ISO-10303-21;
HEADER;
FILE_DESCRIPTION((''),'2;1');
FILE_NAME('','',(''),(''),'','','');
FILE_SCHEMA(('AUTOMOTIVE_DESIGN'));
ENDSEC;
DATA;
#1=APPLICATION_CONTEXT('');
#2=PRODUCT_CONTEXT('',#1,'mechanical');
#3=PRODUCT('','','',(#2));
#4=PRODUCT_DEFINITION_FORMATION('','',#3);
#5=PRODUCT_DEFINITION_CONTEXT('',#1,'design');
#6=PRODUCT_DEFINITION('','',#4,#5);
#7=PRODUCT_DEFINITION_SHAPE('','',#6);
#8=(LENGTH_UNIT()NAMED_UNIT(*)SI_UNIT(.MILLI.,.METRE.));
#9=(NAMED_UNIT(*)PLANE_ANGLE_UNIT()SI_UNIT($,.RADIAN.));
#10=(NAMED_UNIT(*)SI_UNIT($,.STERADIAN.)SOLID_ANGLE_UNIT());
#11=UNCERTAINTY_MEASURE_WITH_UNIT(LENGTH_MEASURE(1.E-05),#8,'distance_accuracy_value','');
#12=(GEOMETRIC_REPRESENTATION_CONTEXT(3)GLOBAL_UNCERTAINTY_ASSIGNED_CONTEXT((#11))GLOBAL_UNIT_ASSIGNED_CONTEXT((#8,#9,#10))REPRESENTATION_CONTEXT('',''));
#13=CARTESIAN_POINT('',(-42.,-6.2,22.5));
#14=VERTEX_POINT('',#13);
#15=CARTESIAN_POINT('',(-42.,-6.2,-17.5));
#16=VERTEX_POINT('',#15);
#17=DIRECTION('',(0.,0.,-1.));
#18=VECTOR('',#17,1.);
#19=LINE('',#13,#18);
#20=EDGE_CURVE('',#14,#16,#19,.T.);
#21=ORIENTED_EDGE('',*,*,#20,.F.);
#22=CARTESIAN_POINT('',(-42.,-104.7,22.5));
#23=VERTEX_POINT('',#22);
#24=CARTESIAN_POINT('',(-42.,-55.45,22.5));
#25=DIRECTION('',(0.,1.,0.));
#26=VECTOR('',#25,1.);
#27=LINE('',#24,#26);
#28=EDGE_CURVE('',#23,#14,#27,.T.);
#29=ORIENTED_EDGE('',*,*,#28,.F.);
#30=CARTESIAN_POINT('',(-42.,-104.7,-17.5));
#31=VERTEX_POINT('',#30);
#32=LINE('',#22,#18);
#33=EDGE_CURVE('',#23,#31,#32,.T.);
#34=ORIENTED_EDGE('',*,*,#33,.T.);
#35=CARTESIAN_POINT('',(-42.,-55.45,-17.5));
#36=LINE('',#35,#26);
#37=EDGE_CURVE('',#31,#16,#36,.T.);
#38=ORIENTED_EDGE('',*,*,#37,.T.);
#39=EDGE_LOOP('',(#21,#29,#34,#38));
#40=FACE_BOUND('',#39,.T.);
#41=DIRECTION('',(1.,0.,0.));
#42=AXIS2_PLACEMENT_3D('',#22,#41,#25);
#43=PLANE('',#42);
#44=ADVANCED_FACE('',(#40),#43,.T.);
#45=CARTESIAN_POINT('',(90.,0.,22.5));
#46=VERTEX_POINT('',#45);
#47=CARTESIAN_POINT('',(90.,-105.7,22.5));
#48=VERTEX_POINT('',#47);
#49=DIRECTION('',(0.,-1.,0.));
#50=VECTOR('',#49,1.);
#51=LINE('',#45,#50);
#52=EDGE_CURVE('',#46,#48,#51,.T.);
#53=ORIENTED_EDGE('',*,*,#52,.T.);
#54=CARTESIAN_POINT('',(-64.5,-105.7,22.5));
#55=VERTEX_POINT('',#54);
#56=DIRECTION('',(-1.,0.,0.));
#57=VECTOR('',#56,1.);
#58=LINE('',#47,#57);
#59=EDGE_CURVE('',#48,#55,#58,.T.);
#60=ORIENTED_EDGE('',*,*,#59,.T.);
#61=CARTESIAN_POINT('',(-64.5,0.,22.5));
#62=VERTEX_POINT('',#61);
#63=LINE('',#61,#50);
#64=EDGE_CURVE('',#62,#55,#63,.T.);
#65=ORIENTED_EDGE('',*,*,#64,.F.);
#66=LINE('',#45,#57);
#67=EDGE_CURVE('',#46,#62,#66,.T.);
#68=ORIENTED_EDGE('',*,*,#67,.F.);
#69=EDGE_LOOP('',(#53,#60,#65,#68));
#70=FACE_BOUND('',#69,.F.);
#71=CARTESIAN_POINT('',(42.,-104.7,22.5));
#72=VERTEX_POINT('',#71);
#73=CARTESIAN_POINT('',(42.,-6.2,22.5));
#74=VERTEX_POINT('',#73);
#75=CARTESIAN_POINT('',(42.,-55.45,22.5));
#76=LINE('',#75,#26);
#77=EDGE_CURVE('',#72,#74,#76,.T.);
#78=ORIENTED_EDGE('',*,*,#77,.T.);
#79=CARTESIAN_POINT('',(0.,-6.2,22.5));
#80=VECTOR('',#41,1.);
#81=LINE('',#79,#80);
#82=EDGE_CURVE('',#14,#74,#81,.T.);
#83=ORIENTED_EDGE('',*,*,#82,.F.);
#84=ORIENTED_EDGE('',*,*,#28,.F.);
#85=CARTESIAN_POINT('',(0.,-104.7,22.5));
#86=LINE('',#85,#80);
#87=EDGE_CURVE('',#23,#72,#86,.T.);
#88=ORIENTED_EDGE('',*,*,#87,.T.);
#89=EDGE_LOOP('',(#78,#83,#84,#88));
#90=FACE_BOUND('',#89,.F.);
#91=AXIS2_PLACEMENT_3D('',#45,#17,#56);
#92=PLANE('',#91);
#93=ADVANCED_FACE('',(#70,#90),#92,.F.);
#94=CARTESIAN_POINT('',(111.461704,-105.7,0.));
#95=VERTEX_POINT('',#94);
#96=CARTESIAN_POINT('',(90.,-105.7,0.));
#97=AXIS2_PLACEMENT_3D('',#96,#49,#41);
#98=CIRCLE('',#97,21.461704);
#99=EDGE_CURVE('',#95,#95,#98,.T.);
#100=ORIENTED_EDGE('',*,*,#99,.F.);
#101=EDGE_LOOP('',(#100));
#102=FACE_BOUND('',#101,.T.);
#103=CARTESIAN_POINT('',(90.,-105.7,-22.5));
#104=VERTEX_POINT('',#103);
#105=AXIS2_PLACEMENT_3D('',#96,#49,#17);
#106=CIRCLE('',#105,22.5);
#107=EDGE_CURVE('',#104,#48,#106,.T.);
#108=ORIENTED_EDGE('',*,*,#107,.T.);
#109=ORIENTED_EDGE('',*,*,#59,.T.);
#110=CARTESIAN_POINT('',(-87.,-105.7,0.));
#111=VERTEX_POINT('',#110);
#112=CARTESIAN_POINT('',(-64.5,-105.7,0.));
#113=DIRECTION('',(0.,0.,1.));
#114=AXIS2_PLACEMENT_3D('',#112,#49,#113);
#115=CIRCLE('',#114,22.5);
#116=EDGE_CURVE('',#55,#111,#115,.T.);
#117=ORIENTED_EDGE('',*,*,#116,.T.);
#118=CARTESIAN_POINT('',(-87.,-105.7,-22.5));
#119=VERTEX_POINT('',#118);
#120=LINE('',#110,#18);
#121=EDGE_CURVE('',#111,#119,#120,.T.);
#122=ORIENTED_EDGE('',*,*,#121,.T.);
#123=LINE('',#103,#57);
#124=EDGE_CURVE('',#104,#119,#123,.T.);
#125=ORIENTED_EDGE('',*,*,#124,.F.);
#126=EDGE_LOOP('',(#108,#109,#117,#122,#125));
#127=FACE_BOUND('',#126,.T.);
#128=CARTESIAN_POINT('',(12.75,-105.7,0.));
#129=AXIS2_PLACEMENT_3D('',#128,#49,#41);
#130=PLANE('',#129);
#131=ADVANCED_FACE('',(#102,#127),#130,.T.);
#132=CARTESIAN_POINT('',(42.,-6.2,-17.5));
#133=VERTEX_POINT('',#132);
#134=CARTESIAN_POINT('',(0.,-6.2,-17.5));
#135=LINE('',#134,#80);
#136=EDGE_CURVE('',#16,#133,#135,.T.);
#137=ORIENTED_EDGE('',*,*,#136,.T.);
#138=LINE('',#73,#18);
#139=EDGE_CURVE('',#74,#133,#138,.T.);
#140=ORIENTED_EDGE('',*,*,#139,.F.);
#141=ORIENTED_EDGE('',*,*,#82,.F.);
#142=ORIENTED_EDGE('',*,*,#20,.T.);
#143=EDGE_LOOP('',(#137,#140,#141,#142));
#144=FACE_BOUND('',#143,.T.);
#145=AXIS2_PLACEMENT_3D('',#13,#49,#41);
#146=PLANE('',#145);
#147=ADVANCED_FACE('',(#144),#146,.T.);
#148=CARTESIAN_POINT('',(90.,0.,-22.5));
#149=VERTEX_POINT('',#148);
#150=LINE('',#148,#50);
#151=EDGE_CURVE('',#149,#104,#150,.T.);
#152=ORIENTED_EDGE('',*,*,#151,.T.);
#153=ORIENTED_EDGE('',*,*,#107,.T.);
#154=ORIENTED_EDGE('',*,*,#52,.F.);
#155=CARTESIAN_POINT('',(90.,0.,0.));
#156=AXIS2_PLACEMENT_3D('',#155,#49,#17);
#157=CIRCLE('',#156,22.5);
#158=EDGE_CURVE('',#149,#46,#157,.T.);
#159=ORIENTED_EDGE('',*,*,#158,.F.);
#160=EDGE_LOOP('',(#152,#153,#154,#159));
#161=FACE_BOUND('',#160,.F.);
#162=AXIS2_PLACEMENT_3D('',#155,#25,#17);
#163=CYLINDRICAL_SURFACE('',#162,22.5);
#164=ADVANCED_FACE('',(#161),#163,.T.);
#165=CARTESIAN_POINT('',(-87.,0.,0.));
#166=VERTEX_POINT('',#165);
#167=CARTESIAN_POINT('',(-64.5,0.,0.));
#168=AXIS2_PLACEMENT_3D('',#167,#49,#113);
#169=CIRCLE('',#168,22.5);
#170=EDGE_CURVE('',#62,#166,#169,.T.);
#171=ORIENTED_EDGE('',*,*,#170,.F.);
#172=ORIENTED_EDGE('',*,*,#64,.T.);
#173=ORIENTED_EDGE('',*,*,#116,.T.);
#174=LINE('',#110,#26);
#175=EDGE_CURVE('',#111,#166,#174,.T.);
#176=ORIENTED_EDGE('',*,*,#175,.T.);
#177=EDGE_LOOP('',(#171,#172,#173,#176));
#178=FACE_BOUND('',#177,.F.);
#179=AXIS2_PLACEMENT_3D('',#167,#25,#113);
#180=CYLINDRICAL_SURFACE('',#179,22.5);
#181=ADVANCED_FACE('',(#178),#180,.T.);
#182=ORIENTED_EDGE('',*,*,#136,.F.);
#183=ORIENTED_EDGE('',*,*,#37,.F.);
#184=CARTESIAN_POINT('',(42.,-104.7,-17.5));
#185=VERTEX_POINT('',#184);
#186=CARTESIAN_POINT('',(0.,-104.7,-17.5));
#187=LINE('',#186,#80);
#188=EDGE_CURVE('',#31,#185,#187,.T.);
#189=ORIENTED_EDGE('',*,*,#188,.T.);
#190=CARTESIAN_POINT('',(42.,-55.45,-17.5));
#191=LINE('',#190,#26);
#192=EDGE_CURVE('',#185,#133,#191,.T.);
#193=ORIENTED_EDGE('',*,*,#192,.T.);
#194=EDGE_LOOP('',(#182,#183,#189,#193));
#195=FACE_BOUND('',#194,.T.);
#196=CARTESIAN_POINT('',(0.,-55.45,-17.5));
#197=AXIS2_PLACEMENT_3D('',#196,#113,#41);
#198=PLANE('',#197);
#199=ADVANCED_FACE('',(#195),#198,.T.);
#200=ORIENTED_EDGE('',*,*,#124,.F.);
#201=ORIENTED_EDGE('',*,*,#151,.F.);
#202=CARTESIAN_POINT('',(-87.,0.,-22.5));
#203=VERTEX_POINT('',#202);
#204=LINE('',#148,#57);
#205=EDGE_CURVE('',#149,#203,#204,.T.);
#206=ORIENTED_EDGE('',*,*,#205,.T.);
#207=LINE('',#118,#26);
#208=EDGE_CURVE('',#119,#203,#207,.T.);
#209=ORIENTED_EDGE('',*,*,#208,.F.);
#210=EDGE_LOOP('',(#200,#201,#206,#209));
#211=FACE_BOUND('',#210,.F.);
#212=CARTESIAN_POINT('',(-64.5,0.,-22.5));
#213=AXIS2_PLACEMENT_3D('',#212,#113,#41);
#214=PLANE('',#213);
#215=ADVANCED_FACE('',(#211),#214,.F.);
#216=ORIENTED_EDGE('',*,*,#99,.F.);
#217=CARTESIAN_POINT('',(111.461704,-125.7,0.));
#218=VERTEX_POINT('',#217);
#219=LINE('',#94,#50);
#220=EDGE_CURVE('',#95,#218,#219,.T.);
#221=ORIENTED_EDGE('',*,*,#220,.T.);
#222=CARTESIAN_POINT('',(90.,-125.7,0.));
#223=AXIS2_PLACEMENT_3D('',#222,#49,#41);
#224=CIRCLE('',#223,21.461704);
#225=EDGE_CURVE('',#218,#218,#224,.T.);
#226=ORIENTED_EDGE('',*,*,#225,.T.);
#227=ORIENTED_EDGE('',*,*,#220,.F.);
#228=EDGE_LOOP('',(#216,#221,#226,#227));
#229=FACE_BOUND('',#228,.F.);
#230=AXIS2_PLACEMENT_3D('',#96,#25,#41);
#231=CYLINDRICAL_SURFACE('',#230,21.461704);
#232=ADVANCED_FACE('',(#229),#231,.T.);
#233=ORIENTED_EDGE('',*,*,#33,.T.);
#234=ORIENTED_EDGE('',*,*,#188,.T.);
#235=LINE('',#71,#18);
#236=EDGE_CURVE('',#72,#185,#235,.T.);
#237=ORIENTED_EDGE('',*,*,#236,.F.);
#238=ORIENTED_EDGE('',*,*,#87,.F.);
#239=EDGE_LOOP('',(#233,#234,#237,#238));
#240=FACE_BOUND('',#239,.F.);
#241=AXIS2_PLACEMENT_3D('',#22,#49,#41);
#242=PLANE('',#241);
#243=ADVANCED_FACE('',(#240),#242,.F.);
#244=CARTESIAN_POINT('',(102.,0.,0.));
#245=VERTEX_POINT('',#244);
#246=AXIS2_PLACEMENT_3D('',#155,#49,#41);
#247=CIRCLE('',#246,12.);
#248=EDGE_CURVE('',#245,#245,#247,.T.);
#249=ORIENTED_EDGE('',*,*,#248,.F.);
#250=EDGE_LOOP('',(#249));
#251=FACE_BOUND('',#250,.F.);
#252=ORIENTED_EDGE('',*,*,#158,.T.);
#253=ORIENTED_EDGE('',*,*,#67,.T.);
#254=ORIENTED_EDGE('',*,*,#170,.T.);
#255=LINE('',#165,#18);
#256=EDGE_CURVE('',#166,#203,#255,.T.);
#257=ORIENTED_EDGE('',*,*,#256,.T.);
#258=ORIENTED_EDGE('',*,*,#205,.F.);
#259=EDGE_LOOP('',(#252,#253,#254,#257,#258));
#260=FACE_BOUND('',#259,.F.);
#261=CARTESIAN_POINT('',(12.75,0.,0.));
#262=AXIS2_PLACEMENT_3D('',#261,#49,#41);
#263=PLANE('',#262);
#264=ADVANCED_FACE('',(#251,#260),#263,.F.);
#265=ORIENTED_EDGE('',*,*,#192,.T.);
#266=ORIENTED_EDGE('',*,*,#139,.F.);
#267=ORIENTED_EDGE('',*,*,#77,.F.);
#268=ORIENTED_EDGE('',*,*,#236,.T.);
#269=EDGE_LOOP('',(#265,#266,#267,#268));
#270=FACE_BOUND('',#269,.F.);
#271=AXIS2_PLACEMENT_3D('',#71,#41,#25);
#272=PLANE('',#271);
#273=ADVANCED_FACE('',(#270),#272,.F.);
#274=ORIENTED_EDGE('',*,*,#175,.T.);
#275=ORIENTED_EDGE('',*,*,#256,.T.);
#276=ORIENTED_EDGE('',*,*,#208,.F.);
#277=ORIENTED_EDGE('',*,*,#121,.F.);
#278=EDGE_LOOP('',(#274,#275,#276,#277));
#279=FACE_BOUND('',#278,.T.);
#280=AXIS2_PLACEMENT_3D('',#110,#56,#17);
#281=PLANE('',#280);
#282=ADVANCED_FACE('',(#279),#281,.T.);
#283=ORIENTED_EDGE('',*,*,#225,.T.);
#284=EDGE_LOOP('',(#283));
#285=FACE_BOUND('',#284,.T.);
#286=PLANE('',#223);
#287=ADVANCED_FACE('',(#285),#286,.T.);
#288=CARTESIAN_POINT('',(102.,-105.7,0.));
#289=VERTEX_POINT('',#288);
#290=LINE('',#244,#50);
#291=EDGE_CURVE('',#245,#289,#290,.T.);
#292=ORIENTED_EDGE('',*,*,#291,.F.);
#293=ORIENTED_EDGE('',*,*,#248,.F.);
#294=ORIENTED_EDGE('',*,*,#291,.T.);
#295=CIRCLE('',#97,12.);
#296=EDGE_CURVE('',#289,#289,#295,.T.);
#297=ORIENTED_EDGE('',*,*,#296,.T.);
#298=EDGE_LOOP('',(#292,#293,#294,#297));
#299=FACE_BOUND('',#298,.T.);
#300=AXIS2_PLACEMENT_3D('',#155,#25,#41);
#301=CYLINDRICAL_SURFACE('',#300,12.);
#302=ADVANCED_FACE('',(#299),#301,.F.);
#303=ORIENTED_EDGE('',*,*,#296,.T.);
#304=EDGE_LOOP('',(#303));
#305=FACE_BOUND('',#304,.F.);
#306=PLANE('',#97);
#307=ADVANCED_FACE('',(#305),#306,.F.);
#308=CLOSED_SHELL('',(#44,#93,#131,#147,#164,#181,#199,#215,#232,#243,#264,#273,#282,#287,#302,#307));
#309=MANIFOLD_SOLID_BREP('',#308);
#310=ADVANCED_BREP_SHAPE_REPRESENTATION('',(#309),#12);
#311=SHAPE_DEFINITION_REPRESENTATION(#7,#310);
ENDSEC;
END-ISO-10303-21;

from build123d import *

# Parameters (mm, degrees)
F0_R     = 12
F1_DEPTH = 105.7
F3_DEPTH = 105.7
F4_W     = 84
F4_H     = 98.5
F5_DEPTH = 40
F6_R     = 21.461704
F7_DEPTH = 20


with BuildPart() as f1:
    # F0 (on Front) → F1 (new body)
    with BuildSketch(Plane.XZ):
        with BuildLine():
            Line((90, 22.5), (0, 22.5))
            Line((0, 22.5), (-64.5, 22.5))
            ThreePointArc((-64.5, 22.5), (-87, 0), (-64.5, -22.5))
            Line((-64.5, -22.5), (0, -22.5))
            Line((0, -22.5), (90, -22.5))
            ThreePointArc((90, -22.5), (112.5, 0), (90, 22.5))
        make_face()
        with Locations((90, 0)):
            Circle(F0_R, mode=Mode.SUBTRACT)
    extrude(amount=F1_DEPTH)

    # F2 (on face) → F3 (join)
    with BuildSketch(Plane.XZ.offset(105.7)):
        Polygon((-84.272794, -1.934636), (-87, 0), (-87, -22.5), (-64.5, -22.5), (-70.418127, -18.801184), (-80.156557, -10.970287), align=None)
    extrude(amount=-F3_DEPTH)

    # F4 (on face) → F5 (cut)
    with BuildSketch(Plane.XY.offset(22.5)):
        with Locations((0, -55.45)):
            Rectangle(F4_W, F4_H)
    extrude(amount=-F5_DEPTH, mode=Mode.SUBTRACT)

    # F6 (on face) → F7 (join)
    with BuildSketch(Plane.XZ.offset(105.7)):
        with Locations((90, 0)):
            Circle(F6_R)
    extrude(amount=F7_DEPTH)


solid = f1.part
